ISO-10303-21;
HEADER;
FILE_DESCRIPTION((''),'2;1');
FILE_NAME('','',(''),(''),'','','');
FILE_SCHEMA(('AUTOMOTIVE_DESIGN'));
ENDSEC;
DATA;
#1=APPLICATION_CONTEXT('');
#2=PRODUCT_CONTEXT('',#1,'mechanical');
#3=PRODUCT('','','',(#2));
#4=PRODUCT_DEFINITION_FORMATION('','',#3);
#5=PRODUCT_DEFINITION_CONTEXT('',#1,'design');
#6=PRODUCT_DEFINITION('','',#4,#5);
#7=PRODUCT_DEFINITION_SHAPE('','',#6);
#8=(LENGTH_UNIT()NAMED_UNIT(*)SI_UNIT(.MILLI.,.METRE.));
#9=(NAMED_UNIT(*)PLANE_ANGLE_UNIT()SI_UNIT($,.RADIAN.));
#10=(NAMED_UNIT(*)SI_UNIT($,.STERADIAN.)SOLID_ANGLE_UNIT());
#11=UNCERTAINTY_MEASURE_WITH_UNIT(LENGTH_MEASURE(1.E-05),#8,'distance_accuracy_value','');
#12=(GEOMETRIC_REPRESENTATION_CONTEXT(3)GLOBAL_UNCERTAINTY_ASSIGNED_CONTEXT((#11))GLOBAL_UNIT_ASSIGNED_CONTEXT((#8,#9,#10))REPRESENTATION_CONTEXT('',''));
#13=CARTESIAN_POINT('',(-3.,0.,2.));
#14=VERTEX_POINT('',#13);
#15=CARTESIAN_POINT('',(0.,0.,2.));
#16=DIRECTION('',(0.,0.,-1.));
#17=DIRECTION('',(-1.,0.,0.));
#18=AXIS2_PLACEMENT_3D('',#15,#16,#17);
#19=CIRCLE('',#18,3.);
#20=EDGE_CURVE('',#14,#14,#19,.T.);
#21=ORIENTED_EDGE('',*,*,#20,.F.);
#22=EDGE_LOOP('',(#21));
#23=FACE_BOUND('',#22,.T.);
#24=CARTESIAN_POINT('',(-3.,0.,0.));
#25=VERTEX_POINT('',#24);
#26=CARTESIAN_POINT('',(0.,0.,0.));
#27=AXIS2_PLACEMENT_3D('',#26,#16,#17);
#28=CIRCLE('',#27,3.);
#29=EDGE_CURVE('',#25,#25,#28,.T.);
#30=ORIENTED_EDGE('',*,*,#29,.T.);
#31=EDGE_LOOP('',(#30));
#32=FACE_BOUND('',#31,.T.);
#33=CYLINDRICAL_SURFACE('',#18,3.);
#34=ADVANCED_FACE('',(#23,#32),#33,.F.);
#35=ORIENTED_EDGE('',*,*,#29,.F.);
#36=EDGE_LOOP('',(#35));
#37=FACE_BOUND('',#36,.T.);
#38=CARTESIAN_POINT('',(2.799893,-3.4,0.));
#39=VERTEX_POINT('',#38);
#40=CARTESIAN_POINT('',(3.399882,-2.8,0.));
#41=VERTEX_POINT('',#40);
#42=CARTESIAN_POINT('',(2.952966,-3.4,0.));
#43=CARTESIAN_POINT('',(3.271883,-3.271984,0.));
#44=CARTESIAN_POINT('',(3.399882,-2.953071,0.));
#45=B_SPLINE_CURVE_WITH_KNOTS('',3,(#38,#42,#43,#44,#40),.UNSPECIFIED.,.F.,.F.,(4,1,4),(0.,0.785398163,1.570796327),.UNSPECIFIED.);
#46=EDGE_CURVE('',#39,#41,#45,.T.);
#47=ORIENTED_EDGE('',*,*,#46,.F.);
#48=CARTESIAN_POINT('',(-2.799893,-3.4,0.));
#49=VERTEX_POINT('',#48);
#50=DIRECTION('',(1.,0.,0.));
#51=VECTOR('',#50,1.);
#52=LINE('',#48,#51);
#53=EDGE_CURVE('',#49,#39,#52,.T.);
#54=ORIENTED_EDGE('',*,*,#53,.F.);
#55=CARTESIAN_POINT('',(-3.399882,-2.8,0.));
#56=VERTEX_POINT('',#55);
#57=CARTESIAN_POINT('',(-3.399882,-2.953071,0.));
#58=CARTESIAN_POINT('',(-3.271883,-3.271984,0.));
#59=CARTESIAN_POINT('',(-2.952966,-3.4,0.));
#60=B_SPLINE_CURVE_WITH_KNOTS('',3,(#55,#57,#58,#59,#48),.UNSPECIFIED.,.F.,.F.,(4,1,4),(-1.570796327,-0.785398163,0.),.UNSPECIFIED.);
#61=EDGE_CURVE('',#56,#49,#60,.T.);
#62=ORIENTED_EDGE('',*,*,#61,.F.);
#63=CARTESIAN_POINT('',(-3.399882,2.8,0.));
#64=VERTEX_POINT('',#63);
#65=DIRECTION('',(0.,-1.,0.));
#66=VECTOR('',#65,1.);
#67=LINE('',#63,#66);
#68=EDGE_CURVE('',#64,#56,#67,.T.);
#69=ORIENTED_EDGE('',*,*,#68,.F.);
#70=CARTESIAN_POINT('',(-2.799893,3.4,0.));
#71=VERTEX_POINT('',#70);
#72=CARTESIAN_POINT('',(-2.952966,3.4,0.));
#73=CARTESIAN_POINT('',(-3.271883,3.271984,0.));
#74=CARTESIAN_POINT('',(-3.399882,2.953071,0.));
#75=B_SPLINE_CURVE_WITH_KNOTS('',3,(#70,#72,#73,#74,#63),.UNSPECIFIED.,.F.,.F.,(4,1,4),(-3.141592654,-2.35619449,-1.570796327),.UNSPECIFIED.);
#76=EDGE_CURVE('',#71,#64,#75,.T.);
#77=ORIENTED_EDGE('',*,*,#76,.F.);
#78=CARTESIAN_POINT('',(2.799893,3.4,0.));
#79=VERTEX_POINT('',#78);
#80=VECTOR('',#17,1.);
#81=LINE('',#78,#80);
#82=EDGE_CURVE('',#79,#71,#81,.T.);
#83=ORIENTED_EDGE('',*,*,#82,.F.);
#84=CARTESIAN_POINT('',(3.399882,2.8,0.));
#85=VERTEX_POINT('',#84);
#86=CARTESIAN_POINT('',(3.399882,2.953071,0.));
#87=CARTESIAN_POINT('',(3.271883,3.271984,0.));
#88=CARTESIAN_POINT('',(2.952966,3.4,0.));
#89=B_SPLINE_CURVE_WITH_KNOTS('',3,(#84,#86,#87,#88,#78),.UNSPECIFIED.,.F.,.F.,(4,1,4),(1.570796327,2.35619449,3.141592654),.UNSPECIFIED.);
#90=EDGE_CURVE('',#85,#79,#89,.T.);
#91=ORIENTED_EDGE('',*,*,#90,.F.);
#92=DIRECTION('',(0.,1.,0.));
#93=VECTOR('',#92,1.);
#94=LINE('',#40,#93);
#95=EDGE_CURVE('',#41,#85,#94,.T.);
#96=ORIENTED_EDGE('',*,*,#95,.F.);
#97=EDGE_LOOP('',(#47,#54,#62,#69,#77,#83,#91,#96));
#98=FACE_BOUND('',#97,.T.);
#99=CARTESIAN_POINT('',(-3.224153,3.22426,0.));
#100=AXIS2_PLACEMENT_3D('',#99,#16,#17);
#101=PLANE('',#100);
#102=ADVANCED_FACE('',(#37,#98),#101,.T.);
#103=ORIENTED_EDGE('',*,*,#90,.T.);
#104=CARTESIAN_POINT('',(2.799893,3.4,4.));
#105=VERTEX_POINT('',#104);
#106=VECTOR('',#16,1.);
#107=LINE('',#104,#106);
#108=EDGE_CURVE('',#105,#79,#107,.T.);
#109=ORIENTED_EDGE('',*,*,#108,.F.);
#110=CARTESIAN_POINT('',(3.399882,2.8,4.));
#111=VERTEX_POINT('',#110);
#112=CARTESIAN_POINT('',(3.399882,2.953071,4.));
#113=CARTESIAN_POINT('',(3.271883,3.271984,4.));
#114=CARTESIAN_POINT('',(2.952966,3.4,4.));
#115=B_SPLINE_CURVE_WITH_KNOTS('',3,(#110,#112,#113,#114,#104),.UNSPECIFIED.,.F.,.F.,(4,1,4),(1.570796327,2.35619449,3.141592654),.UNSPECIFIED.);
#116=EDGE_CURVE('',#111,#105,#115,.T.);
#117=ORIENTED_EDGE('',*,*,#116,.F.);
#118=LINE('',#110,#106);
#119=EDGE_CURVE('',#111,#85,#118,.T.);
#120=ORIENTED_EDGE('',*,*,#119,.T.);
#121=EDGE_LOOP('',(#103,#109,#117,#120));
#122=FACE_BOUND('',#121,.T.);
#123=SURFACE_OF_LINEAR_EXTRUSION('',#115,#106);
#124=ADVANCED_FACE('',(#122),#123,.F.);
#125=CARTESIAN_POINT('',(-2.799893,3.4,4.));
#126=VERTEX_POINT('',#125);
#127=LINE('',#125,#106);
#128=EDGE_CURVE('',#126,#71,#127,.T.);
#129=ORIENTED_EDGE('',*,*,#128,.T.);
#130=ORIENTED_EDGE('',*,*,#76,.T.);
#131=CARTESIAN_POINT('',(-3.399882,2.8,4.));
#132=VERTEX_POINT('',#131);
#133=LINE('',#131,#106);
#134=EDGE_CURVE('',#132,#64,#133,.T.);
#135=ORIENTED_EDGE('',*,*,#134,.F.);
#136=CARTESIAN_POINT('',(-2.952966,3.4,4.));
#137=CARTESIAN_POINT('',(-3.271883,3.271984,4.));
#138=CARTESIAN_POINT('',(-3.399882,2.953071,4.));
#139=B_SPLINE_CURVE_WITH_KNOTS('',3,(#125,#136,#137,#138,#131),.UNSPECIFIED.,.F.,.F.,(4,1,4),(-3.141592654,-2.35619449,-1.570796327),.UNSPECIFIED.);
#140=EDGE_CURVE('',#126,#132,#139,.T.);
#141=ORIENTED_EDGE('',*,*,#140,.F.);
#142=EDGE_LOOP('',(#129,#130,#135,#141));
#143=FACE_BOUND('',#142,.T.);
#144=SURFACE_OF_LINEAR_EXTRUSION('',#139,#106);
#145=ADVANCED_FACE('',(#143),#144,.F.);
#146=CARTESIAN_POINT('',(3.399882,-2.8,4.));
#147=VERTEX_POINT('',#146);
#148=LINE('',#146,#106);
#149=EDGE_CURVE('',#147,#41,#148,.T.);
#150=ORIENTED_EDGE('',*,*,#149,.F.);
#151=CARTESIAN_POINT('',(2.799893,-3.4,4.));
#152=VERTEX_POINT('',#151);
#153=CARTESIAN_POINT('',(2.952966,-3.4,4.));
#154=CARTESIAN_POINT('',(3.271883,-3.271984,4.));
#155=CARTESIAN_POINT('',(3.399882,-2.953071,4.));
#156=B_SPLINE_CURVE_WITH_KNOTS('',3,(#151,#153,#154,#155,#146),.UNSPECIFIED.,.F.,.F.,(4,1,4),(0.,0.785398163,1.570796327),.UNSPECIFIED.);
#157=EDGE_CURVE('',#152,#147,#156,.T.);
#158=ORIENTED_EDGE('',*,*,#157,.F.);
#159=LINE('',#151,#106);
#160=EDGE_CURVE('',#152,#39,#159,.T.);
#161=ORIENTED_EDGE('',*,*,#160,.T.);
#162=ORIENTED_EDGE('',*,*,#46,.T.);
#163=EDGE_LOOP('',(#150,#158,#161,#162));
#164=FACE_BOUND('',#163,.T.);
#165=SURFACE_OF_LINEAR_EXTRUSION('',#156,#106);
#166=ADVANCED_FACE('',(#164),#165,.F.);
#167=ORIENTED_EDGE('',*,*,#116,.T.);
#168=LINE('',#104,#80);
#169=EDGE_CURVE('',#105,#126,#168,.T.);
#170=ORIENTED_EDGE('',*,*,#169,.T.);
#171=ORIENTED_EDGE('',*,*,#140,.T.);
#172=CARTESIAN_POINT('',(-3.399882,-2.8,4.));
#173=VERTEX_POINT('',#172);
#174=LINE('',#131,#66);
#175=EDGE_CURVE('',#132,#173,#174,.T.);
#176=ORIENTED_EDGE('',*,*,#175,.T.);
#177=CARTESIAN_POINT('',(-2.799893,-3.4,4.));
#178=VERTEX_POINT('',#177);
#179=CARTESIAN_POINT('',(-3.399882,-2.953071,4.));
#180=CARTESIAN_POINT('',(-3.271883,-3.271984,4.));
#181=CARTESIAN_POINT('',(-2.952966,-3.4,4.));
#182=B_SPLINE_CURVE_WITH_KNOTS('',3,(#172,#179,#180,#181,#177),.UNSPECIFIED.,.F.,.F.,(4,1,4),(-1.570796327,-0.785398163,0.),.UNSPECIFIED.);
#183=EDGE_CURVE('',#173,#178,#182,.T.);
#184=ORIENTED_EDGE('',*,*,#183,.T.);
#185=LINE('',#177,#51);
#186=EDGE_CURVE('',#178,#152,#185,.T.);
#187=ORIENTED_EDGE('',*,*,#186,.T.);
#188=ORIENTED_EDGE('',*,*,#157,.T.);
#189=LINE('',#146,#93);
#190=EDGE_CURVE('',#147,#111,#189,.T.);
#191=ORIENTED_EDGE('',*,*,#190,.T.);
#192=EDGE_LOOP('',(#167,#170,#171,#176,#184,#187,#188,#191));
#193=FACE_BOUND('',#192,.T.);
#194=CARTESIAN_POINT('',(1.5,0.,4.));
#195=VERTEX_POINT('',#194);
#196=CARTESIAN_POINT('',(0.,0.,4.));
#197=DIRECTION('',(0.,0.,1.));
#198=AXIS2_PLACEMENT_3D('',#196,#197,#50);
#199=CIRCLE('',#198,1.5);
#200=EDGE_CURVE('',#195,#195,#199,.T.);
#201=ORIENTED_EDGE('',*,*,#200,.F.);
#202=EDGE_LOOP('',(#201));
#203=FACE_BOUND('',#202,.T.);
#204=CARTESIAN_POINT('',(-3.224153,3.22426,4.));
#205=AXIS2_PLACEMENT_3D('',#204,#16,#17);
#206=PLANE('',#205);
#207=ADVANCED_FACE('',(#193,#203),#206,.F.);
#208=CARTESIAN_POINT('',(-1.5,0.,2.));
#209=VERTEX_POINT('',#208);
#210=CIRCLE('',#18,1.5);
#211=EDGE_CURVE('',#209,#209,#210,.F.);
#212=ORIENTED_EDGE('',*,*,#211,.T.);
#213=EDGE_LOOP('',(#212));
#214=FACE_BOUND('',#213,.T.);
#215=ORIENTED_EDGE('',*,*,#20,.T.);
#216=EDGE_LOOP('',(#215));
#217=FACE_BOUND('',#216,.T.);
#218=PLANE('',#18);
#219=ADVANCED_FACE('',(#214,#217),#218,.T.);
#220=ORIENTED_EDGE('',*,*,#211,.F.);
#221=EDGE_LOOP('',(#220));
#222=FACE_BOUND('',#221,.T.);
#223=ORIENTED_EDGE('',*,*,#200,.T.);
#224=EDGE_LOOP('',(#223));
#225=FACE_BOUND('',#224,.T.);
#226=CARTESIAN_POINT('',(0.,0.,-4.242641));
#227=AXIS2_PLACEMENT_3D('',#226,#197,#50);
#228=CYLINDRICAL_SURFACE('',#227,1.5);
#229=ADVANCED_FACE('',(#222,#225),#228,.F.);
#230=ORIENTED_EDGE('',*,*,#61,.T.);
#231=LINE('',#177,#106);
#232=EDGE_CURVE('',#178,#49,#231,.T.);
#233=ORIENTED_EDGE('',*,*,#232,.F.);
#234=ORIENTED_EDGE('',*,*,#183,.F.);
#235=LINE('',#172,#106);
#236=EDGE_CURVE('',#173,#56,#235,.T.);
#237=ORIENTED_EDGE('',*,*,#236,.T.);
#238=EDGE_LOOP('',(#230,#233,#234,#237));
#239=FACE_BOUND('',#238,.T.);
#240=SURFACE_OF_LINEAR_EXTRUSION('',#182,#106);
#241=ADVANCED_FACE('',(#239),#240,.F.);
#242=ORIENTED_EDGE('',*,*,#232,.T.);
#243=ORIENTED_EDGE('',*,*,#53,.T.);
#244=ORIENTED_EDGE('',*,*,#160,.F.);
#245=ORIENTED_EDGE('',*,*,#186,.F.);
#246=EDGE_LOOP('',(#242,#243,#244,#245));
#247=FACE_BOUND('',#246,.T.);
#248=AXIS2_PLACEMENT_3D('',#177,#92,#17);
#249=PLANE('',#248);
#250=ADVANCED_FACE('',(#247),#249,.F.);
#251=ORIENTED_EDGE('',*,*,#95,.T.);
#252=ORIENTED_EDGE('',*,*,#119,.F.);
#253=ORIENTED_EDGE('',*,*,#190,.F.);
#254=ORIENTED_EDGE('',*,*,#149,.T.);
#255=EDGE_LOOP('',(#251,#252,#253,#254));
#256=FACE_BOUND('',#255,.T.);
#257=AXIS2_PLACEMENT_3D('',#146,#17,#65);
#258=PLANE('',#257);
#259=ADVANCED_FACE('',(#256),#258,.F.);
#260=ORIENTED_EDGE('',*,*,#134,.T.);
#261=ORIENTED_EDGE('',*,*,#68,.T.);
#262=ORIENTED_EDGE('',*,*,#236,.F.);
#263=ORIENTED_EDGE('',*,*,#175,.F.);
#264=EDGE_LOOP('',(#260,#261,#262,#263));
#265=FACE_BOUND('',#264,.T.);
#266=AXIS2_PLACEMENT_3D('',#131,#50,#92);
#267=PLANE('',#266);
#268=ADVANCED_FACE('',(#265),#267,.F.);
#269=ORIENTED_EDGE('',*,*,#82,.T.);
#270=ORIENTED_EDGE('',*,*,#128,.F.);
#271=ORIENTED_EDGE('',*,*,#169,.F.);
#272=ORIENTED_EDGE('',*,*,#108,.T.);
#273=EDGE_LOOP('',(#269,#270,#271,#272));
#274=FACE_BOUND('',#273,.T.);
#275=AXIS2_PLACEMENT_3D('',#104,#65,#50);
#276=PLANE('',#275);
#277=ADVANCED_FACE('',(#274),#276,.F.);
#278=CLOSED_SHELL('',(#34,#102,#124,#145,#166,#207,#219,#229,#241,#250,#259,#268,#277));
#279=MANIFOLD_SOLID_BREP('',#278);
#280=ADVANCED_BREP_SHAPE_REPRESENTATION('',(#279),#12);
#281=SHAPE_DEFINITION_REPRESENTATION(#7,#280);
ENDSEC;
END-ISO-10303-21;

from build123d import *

# Parameters (mm, degrees)
BOSS_EXTRUDE1_DEPTH = 4
SKETCH2_R           = 1.5
CUT_EXTRUDE1_DEPTH  = 4
SKETCH3_R           = 3
CUT_EXTRUDE2_DEPTH  = 2


with BuildPart() as part:
    # Sketch1 → Boss-Extrude1 (new body)
    with BuildSketch(Plane.XY):
        with BuildLine():
            Line((-3.399881961, 2.8), (-3.399881961, -2.8))
            add(Edge.make_bspline(
                [(-3.399881961, -2.8), (-3.399881961, -2.953071187), (-3.271882834, -3.271984466), (-2.952966029, -3.4), (-2.799893385, -3.4)],
                knots=[-1.570796327, -1.570796327, -1.570796327, -1.570796327, -0.785398163, 0, 0, 0, 0], degree=3))
            Line((-2.799893385, -3.4), (2.799893385, -3.4))
            add(Edge.make_bspline(
                [(2.799893385, -3.4), (2.952966029, -3.4), (3.271882834, -3.271984466), (3.399881961, -2.953071187), (3.399881961, -2.8)],
                knots=[0, 0, 0, 0, 0.785398163, 1.570796327, 1.570796327, 1.570796327, 1.570796327], degree=3))
            Line((3.399881961, -2.8), (3.399881961, 2.8))
            add(Edge.make_bspline(
                [(3.399881961, 2.8), (3.399881961, 2.953071187), (3.271882834, 3.271984466), (2.952966029, 3.4), (2.799893385, 3.4)],
                knots=[1.570796327, 1.570796327, 1.570796327, 1.570796327, 2.35619449, 3.141592654, 3.141592654, 3.141592654, 3.141592654], degree=3))
            Line((2.799893385, 3.4), (-2.799893385, 3.4))
            add(Edge.make_bspline(
                [(-2.799893385, 3.4), (-2.952966029, 3.4), (-3.271882834, 3.271984466), (-3.399881961, 2.953071187), (-3.399881961, 2.8)],
                knots=[-3.141592654, -3.141592654, -3.141592654, -3.141592654, -2.35619449, -1.570796327, -1.570796327, -1.570796327, -1.570796327], degree=3))
        make_face()
    extrude(amount=BOSS_EXTRUDE1_DEPTH)

    # Sketch2 → Cut-Extrude1 (cut)
    with BuildSketch(Plane.XY.offset(4)):
        Circle(SKETCH2_R)
    extrude(amount=-CUT_EXTRUDE1_DEPTH, mode=Mode.SUBTRACT)

    # Sketch3 → Cut-Extrude2 (cut)
    with BuildSketch(Plane(origin=(0, 0, 0), x_dir=(-1, 0, 0), z_dir=(0, 0, -1))):
        Circle(SKETCH3_R)
    extrude(amount=-CUT_EXTRUDE2_DEPTH, mode=Mode.SUBTRACT)


solid = part.part
